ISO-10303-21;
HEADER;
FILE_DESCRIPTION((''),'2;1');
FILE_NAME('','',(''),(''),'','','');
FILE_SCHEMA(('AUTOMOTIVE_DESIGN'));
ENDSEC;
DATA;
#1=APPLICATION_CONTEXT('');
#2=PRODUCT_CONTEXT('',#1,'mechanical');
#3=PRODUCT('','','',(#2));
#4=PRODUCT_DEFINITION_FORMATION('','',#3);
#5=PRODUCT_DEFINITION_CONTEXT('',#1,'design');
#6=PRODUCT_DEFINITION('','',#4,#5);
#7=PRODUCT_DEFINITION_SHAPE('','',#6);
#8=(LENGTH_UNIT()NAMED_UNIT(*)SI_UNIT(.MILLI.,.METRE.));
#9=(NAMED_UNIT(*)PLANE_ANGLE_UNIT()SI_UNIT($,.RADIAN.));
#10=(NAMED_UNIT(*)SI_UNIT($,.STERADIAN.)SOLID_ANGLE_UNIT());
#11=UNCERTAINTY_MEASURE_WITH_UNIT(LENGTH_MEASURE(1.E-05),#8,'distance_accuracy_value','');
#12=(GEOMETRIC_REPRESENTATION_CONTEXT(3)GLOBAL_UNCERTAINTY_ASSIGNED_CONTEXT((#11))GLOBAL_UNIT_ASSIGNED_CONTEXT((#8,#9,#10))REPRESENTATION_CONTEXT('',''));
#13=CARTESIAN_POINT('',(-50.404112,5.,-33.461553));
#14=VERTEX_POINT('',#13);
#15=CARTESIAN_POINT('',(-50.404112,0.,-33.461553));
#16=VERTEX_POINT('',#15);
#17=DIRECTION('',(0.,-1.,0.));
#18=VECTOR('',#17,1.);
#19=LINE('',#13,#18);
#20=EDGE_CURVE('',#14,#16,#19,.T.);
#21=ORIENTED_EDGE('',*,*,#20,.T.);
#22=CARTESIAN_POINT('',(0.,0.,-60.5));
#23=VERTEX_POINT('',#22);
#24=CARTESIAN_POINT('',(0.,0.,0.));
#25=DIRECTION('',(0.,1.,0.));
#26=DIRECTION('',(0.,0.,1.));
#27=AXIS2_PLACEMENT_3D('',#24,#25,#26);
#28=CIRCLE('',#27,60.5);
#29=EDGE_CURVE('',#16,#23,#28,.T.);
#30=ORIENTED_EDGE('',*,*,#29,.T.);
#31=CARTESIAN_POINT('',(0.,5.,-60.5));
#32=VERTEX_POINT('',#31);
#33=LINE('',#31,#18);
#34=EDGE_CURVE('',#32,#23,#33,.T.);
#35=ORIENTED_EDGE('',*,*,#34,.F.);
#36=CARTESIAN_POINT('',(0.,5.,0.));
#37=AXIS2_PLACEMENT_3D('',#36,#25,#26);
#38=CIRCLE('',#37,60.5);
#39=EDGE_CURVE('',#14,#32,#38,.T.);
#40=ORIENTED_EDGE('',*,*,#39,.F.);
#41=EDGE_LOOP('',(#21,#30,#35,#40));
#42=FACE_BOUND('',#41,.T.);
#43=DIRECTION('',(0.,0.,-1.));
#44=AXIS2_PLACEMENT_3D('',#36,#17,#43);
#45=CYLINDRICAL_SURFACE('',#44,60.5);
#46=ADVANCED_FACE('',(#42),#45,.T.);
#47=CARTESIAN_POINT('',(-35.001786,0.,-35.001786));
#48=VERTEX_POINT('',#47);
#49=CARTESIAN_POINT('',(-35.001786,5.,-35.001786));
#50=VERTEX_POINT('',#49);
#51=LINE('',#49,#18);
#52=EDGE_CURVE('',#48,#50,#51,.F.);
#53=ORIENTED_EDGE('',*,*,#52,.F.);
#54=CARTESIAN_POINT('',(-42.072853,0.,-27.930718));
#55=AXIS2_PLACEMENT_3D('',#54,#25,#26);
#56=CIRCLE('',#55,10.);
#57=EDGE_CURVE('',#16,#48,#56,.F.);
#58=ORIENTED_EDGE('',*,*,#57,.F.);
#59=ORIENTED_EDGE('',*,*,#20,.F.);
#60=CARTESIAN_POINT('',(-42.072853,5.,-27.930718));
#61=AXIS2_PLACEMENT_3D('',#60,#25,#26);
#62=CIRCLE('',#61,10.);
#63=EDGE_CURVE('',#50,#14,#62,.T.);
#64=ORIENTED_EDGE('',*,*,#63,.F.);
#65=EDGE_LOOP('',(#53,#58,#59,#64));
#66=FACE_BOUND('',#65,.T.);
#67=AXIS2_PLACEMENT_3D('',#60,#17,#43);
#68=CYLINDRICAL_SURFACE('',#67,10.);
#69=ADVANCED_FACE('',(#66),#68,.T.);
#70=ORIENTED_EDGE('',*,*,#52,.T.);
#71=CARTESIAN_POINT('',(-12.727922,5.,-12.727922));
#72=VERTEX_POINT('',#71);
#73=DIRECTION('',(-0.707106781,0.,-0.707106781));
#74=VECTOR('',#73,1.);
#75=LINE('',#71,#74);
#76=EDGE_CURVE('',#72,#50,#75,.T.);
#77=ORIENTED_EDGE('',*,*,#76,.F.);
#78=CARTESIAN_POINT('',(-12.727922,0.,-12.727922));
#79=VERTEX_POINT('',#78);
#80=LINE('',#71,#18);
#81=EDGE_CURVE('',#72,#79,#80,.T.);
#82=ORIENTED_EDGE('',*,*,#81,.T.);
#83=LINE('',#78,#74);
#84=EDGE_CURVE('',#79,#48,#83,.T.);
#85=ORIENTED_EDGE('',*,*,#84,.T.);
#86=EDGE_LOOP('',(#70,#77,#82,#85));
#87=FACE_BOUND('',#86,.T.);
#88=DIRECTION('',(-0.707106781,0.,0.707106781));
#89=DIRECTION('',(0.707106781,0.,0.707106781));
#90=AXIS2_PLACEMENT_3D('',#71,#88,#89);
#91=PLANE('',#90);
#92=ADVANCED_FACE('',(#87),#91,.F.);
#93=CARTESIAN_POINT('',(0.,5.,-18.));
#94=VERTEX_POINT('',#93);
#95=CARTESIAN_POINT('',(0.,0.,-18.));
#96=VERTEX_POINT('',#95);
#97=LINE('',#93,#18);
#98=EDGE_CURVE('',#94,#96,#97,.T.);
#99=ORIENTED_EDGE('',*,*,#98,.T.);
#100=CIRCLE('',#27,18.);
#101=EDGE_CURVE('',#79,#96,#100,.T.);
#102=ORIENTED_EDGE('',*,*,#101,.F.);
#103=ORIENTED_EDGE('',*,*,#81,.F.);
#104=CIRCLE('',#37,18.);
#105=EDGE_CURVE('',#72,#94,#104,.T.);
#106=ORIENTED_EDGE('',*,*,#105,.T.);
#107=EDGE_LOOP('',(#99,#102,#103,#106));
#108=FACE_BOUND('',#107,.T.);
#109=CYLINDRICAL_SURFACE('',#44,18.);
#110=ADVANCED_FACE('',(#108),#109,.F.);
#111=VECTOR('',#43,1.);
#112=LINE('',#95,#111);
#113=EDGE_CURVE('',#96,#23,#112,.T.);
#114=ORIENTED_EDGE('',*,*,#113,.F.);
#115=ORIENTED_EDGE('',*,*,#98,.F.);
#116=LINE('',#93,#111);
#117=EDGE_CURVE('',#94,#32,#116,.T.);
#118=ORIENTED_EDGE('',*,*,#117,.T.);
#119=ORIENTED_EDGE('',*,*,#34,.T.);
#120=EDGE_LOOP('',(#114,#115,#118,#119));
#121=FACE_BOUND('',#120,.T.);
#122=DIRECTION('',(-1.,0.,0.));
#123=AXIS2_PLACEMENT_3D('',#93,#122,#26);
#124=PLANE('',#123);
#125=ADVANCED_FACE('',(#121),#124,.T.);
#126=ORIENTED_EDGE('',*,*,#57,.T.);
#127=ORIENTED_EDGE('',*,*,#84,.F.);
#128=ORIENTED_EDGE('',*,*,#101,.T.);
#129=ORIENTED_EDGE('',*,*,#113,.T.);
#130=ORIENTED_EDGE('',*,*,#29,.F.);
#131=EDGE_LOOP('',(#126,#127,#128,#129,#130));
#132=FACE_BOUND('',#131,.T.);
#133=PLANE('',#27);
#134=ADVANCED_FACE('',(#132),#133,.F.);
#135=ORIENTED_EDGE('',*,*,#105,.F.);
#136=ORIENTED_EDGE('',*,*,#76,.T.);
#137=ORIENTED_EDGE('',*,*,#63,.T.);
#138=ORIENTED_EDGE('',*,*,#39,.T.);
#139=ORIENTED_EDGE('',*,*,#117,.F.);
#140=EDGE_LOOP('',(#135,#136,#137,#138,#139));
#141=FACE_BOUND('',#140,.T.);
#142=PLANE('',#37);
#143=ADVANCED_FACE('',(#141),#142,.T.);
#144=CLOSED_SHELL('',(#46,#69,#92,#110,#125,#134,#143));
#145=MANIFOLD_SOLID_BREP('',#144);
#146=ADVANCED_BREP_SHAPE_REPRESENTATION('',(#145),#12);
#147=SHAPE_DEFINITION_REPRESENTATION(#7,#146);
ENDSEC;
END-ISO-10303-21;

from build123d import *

# Parameters (mm, degrees)
EXTRUDE_1_DEPTH = 5
FILLET_1_R      = 10


with BuildPart() as part:
    # Эскиз1 → Бобышка-Вытянуть1 (new body)
    with BuildSketch(Plane(origin=(0, 0, 0), x_dir=(1, 0, 0), z_dir=(0, 1, 0))):
        with BuildLine():
            Line((-12.727922061, 12.727922061), (-42.779960262, 42.779960262))
            ThreePointArc((-42.779960262, 42.779960262), (23.152347658, -55.894711717), (0, 60.5))
            Line((0, 60.5), (0, 18))
            ThreePointArc((0, 18), (6.888301783, -16.629831585), (-12.727922061, 12.727922061))
        make_face()
    extrude(amount=EXTRUDE_1_DEPTH)

    # Скругление1
    fillet_1_edges = [part.edges().sort_by_distance(p)[0] for p in [
        (-42.779960262, 2.5, -42.779960262),
    ]]
    fillet(fillet_1_edges, radius=FILLET_1_R)


solid = part.part
